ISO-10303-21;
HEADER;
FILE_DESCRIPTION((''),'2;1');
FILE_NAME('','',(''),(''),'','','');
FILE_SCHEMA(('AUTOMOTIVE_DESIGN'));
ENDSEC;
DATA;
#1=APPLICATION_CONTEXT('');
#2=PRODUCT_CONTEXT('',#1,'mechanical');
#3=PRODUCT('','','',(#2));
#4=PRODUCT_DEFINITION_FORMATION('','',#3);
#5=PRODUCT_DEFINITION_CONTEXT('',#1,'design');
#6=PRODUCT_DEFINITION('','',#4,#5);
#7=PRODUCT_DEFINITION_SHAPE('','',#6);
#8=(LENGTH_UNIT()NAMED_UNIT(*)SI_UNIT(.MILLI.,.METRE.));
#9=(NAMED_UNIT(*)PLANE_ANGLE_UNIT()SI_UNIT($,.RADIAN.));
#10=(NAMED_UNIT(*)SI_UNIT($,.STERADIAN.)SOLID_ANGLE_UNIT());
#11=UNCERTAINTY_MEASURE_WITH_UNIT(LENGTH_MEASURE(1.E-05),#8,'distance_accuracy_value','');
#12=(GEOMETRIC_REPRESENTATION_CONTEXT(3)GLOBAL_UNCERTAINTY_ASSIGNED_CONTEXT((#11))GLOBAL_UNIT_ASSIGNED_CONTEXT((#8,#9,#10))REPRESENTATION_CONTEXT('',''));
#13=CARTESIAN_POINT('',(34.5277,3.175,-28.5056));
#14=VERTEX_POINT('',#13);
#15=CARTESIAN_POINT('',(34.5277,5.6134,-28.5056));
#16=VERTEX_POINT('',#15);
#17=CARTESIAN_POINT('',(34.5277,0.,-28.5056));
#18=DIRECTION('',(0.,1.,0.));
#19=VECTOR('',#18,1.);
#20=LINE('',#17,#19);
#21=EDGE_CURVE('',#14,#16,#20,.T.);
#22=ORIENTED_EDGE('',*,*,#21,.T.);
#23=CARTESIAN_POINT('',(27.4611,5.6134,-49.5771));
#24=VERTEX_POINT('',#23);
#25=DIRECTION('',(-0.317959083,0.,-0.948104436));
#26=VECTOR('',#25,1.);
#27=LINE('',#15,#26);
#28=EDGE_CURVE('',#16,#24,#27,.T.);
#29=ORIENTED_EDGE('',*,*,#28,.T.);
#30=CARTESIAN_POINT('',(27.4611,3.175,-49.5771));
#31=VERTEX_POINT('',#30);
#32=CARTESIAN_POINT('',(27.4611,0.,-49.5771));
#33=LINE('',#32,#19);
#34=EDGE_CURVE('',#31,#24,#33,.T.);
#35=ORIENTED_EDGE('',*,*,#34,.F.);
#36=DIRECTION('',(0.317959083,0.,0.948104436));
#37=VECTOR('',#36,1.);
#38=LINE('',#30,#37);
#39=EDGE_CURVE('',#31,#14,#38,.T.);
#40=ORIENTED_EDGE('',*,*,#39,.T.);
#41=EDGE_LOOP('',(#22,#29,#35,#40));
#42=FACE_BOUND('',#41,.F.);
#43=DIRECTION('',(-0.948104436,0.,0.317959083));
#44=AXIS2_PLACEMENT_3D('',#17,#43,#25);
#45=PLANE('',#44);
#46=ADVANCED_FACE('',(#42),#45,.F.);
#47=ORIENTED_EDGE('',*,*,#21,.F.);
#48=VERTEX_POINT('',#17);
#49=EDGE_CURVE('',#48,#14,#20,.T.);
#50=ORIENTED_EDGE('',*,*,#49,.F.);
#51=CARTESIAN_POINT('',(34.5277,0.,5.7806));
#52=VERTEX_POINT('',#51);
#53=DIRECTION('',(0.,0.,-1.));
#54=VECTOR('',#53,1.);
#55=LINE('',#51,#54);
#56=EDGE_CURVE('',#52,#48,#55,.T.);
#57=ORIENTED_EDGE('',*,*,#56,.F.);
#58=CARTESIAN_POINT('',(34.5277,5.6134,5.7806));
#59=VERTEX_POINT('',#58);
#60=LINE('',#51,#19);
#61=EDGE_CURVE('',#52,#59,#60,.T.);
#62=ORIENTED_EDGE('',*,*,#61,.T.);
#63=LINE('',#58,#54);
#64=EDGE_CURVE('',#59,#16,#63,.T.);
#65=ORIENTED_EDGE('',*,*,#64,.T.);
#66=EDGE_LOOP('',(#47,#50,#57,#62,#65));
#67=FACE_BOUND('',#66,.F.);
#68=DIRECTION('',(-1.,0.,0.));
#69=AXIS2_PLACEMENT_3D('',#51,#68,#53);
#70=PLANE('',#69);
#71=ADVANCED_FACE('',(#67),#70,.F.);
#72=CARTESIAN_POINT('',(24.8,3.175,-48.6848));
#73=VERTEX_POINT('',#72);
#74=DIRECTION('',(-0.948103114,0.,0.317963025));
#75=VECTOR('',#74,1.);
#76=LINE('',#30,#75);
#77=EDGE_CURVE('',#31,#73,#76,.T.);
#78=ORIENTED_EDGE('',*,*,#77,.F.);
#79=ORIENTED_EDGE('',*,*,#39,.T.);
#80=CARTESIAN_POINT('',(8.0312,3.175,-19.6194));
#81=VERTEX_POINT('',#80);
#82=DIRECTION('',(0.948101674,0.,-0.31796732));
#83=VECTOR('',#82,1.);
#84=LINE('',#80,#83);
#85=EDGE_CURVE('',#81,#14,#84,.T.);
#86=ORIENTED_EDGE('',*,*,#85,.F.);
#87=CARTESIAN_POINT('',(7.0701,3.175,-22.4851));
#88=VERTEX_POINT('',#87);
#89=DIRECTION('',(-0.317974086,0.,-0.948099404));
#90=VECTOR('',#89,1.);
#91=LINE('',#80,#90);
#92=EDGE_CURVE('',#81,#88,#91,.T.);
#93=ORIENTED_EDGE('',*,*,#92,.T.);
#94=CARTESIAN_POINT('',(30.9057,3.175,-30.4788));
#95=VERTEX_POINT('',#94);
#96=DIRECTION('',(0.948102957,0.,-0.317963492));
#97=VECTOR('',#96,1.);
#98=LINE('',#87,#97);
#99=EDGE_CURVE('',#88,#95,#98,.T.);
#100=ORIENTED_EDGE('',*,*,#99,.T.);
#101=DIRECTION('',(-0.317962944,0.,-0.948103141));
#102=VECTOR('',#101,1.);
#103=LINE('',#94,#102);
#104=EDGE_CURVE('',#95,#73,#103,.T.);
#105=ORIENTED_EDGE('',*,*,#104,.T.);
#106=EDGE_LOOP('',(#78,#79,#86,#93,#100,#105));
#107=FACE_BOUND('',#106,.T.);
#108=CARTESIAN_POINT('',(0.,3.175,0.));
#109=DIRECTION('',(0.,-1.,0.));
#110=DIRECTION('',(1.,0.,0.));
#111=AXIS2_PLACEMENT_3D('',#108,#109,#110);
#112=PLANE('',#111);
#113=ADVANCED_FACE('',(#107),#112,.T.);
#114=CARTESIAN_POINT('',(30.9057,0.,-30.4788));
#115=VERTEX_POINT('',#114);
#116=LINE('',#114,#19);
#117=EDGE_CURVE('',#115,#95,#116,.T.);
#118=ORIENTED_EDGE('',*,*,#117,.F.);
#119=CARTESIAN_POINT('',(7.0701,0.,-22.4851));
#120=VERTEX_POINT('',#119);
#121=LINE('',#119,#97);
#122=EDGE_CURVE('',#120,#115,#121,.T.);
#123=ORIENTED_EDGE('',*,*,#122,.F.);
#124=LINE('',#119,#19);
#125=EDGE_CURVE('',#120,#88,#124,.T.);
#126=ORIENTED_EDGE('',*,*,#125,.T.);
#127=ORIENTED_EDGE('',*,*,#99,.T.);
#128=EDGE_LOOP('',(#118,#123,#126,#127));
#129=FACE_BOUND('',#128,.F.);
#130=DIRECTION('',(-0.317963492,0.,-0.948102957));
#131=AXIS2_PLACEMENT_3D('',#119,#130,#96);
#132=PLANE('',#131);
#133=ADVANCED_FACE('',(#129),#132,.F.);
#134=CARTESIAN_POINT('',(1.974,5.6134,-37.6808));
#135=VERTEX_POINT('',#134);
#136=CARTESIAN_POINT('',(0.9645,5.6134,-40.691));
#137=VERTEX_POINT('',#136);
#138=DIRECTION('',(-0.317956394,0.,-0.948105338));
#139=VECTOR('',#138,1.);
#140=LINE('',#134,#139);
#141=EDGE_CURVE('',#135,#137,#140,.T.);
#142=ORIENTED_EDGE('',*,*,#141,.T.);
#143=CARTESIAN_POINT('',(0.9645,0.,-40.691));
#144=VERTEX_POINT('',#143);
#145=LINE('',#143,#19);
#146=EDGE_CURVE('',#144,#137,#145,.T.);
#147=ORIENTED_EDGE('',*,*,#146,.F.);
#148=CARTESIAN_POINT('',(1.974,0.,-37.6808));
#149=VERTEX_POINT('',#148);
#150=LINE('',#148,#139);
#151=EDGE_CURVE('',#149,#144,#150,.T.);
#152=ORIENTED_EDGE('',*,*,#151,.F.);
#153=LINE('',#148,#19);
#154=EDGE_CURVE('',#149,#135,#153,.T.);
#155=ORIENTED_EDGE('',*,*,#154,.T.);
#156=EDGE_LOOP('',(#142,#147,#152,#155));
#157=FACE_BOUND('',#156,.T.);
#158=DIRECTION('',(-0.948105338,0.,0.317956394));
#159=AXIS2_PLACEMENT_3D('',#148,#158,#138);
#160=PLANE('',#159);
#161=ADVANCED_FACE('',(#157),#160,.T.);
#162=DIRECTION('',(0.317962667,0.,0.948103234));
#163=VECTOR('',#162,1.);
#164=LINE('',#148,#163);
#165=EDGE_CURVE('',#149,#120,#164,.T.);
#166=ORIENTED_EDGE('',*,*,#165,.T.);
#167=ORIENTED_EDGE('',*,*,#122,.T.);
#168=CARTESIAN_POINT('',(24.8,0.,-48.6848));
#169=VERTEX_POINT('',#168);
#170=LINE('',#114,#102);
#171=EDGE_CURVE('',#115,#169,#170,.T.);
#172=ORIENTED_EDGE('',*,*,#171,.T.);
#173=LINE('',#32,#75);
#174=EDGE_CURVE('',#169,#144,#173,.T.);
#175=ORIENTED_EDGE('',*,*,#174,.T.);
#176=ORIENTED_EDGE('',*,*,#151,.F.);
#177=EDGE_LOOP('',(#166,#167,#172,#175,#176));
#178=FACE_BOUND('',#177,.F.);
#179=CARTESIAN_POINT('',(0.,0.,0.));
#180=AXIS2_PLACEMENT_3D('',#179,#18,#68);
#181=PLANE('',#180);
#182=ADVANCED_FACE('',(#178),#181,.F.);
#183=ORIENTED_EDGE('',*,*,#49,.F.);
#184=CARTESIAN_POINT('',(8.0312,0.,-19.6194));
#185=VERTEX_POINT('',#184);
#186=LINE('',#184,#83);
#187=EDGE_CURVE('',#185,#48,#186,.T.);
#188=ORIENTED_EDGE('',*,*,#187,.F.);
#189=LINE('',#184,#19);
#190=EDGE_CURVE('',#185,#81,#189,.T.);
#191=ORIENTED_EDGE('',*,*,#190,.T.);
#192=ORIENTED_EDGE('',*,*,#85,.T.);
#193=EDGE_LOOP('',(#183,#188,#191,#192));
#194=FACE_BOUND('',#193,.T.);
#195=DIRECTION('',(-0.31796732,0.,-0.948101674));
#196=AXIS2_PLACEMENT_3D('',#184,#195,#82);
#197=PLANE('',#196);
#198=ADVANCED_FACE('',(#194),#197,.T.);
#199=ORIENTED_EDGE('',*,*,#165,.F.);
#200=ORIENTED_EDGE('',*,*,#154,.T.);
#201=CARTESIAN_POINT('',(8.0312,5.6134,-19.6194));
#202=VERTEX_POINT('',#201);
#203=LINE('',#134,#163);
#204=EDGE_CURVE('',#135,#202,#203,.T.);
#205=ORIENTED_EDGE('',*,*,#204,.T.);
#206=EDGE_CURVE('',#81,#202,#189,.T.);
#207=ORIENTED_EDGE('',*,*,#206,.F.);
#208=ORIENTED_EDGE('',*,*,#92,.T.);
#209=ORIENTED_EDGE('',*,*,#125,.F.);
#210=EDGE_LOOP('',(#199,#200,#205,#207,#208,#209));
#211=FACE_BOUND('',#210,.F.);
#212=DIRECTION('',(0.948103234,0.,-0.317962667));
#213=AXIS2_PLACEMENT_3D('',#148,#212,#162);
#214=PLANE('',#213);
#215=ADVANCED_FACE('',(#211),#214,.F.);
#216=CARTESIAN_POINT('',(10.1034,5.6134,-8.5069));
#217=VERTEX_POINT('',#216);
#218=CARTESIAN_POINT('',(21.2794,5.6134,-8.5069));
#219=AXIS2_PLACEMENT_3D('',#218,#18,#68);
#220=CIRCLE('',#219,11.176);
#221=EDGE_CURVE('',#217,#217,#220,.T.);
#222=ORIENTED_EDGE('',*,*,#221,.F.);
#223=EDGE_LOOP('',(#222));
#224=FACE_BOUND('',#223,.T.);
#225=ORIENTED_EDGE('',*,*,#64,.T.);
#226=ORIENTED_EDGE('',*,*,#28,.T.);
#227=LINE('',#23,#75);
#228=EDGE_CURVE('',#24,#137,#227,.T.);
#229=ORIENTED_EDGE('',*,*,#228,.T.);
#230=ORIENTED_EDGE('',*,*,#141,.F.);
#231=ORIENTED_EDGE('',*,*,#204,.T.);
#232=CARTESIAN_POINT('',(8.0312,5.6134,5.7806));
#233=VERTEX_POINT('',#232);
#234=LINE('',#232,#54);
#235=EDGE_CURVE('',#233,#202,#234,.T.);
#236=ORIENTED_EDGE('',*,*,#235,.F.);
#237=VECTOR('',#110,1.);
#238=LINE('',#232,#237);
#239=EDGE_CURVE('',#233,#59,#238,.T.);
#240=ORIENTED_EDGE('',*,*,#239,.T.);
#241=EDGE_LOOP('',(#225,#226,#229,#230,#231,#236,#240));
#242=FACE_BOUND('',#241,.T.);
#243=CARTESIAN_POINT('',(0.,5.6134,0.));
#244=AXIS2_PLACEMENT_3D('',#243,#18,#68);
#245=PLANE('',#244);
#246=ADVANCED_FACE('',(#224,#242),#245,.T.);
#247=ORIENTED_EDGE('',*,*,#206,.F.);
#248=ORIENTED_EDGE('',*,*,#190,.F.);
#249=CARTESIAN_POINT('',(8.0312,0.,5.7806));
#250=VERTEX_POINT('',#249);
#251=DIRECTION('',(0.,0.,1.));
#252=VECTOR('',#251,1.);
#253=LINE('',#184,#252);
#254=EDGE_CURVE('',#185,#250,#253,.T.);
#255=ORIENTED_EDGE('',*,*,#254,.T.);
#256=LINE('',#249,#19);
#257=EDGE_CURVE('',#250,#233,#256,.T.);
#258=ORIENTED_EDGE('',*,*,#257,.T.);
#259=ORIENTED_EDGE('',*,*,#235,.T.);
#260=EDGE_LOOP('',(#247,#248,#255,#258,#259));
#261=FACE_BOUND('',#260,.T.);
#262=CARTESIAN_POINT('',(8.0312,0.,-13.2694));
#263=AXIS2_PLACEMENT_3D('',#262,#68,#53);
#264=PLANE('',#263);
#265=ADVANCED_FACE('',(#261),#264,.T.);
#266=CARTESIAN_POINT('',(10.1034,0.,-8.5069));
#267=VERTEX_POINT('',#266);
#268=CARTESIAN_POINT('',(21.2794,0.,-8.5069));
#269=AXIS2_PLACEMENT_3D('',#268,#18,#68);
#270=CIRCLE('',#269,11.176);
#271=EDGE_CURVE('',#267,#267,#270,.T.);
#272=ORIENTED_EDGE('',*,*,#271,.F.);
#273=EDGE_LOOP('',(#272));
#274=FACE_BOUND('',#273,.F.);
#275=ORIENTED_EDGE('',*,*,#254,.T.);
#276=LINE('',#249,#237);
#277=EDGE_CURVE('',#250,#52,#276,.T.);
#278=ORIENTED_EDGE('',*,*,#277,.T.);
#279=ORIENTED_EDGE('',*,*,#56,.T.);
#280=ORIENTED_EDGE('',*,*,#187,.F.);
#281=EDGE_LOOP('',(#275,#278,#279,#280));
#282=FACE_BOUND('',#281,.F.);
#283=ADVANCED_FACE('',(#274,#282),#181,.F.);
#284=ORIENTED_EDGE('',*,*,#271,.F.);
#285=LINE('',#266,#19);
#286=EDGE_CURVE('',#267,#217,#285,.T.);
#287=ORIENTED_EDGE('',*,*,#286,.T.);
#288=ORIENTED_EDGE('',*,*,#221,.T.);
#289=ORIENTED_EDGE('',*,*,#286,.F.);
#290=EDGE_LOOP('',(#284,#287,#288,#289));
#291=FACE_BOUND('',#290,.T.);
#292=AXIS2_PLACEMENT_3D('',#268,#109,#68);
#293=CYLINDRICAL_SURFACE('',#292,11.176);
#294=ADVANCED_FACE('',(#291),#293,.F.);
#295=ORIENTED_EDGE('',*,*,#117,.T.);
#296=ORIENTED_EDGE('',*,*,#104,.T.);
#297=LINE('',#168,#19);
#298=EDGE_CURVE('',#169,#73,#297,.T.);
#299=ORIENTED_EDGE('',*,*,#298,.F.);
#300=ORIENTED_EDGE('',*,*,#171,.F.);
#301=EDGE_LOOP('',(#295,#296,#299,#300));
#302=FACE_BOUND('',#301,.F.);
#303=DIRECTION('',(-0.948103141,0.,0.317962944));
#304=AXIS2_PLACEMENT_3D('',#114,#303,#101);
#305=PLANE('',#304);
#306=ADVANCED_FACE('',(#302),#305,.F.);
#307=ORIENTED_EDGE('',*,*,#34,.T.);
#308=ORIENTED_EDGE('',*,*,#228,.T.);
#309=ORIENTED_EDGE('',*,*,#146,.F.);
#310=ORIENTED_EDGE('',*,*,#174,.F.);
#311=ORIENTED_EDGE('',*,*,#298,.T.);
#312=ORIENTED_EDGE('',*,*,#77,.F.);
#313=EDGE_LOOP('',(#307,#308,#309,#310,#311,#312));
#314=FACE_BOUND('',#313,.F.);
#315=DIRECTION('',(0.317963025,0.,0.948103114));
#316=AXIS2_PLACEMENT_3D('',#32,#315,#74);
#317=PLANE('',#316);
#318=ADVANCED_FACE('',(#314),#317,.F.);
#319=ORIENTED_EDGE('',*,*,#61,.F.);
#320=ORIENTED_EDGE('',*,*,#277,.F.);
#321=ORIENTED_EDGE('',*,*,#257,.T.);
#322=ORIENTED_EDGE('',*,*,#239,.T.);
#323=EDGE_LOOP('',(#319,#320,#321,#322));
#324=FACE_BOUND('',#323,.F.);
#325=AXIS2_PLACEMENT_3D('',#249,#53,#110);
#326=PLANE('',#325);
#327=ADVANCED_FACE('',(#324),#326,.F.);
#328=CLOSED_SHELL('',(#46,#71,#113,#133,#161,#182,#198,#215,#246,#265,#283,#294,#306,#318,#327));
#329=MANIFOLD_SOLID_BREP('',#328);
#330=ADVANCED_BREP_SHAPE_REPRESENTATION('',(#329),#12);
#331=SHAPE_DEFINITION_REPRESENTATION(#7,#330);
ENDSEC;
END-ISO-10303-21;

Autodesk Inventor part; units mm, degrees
ref_plane "YZ Plane" through (0, 0, 0) normal (1, 0, 0) x (0, 1, 0)
ref_plane "XZ Plane" through (0, 0, 0) normal (0, 1, 0) x (-1, 0, 0)
ref_plane "XY Plane" through (0, 0, 0) normal (0, 0, 1) x (1, 0, 0)
sketch "Sketch1" plane through (0, 0, 0) normal (0, 1, 0) x (-1, 0, 0)
  line L0 (-8.0312, -13.2694) -> (-8.0312, 5.7806)
  line L1 (-8.0312, 5.7806) -> (-34.5277, 5.7806)
  line L2 (-34.5277, 5.7806) -> (-34.5277, -28.5056)
  line L3 (18.6455, 5.0782) -> (18.6456, 5.0782)
  line L4 (-1.974, -37.6808) -> (-8.0312, -19.6194)
  line L5 (-34.5277, -28.5056) -> (-27.4611, -49.5771)
  line L6 (-1.974, -37.6808) -> (-0.9645, -40.691)
  line L7 (-27.4611, -49.5771) -> (-0.9645, -40.691)
  circle A0 centre (-21.2794, -8.5069) radius 11.176
  line L8 (-8.0312, 5.7806) -> (-8.0312, -19.6194)
  line L9 (-8.0312, -19.6194) -> (-0.9645, -40.691)
  line L10 (-0.9645, -40.691) -> (-27.4611, -49.5771)
  line L11 (-27.4611, -49.5771) -> (-34.5277, -28.5056)
  line L12 (-34.5277, -28.5056) -> (-34.5277, 5.7806)
  line L13 (-34.5277, 5.7806) -> (-8.0312, 5.7806)
  dimension "d0" = 19.05
  dimension "d1" = 22.225
  dimension "d2" = 27.9469
  dimension "d3" = 26.4965
  dimension "d4" = 22.352
  dimension "d18" = 13.2483
  dimension "d20" = 161.46
  dimension "d26" = 14.2875
  dimension "d28" = 25.4
  dimension "d29" = 34.2862
extrude "Extrusion1" add sketch "Sketch1" along normal blind 5.6134
sketch "Sketch2" plane through (0, 0, 0) normal (0, -1, 0) x (1, 0, 0)
  line L0 (27.4611, -49.5771) -> (0.9645, -40.691) projected
  line L1 (28.4833, -26.4785) -> (28.4832, -26.4784)
  line L2 (8.0312, -19.6194) -> (7.0701, -22.4851)
  line L3 (27.461, -49.5772) -> (24.8, -48.6848)
  line L4 (27.4611, -49.5771) -> (24.8, -48.6846)
  line L5 (34.5277, -28.5056) -> (27.4611, -49.5771) projected
  line L6 (34.5277, 5.7806) -> (34.5277, -28.5056) projected
  line L7 (30.9057, -30.4788) -> (24.8, -48.6846)
  line L8 (24.8, -48.6846) -> (27.4611, -49.5771)
  line L9 (27.4611, -49.5771) -> (34.5277, -28.5056)
  line L10 (0.9645, -40.691) -> (8.0312, -19.6194) projected
  line L11 (34.5277, 5.7806) -> (34.5277, -28.5056) projected
  line L12 (8.0312, -19.6194) -> (34.5277, -28.5056)
  line L13 (8.0312, -19.6194) -> (7.0701, -22.4852)
  line L14 (7.0701, -22.4852) -> (30.9057, -30.4788)
  line L15 (33.5667, -31.3712) -> (34.5278, -28.5055)
  line L16 (34.5278, -28.5055) -> (8.0312, -19.6194)
  point P0 (0, 0)
  point P1 (34.5277, -22.1556)
  dimension "d24" = 2.8067
  dimension "d27" = 3.0226
extrude "Extrusion2" cut sketch "Sketch2" against normal blind 3.175 contours L0 L7 L14 L2 L12 L5
properties part number "Lidar Sensor CAse Piece 1"
